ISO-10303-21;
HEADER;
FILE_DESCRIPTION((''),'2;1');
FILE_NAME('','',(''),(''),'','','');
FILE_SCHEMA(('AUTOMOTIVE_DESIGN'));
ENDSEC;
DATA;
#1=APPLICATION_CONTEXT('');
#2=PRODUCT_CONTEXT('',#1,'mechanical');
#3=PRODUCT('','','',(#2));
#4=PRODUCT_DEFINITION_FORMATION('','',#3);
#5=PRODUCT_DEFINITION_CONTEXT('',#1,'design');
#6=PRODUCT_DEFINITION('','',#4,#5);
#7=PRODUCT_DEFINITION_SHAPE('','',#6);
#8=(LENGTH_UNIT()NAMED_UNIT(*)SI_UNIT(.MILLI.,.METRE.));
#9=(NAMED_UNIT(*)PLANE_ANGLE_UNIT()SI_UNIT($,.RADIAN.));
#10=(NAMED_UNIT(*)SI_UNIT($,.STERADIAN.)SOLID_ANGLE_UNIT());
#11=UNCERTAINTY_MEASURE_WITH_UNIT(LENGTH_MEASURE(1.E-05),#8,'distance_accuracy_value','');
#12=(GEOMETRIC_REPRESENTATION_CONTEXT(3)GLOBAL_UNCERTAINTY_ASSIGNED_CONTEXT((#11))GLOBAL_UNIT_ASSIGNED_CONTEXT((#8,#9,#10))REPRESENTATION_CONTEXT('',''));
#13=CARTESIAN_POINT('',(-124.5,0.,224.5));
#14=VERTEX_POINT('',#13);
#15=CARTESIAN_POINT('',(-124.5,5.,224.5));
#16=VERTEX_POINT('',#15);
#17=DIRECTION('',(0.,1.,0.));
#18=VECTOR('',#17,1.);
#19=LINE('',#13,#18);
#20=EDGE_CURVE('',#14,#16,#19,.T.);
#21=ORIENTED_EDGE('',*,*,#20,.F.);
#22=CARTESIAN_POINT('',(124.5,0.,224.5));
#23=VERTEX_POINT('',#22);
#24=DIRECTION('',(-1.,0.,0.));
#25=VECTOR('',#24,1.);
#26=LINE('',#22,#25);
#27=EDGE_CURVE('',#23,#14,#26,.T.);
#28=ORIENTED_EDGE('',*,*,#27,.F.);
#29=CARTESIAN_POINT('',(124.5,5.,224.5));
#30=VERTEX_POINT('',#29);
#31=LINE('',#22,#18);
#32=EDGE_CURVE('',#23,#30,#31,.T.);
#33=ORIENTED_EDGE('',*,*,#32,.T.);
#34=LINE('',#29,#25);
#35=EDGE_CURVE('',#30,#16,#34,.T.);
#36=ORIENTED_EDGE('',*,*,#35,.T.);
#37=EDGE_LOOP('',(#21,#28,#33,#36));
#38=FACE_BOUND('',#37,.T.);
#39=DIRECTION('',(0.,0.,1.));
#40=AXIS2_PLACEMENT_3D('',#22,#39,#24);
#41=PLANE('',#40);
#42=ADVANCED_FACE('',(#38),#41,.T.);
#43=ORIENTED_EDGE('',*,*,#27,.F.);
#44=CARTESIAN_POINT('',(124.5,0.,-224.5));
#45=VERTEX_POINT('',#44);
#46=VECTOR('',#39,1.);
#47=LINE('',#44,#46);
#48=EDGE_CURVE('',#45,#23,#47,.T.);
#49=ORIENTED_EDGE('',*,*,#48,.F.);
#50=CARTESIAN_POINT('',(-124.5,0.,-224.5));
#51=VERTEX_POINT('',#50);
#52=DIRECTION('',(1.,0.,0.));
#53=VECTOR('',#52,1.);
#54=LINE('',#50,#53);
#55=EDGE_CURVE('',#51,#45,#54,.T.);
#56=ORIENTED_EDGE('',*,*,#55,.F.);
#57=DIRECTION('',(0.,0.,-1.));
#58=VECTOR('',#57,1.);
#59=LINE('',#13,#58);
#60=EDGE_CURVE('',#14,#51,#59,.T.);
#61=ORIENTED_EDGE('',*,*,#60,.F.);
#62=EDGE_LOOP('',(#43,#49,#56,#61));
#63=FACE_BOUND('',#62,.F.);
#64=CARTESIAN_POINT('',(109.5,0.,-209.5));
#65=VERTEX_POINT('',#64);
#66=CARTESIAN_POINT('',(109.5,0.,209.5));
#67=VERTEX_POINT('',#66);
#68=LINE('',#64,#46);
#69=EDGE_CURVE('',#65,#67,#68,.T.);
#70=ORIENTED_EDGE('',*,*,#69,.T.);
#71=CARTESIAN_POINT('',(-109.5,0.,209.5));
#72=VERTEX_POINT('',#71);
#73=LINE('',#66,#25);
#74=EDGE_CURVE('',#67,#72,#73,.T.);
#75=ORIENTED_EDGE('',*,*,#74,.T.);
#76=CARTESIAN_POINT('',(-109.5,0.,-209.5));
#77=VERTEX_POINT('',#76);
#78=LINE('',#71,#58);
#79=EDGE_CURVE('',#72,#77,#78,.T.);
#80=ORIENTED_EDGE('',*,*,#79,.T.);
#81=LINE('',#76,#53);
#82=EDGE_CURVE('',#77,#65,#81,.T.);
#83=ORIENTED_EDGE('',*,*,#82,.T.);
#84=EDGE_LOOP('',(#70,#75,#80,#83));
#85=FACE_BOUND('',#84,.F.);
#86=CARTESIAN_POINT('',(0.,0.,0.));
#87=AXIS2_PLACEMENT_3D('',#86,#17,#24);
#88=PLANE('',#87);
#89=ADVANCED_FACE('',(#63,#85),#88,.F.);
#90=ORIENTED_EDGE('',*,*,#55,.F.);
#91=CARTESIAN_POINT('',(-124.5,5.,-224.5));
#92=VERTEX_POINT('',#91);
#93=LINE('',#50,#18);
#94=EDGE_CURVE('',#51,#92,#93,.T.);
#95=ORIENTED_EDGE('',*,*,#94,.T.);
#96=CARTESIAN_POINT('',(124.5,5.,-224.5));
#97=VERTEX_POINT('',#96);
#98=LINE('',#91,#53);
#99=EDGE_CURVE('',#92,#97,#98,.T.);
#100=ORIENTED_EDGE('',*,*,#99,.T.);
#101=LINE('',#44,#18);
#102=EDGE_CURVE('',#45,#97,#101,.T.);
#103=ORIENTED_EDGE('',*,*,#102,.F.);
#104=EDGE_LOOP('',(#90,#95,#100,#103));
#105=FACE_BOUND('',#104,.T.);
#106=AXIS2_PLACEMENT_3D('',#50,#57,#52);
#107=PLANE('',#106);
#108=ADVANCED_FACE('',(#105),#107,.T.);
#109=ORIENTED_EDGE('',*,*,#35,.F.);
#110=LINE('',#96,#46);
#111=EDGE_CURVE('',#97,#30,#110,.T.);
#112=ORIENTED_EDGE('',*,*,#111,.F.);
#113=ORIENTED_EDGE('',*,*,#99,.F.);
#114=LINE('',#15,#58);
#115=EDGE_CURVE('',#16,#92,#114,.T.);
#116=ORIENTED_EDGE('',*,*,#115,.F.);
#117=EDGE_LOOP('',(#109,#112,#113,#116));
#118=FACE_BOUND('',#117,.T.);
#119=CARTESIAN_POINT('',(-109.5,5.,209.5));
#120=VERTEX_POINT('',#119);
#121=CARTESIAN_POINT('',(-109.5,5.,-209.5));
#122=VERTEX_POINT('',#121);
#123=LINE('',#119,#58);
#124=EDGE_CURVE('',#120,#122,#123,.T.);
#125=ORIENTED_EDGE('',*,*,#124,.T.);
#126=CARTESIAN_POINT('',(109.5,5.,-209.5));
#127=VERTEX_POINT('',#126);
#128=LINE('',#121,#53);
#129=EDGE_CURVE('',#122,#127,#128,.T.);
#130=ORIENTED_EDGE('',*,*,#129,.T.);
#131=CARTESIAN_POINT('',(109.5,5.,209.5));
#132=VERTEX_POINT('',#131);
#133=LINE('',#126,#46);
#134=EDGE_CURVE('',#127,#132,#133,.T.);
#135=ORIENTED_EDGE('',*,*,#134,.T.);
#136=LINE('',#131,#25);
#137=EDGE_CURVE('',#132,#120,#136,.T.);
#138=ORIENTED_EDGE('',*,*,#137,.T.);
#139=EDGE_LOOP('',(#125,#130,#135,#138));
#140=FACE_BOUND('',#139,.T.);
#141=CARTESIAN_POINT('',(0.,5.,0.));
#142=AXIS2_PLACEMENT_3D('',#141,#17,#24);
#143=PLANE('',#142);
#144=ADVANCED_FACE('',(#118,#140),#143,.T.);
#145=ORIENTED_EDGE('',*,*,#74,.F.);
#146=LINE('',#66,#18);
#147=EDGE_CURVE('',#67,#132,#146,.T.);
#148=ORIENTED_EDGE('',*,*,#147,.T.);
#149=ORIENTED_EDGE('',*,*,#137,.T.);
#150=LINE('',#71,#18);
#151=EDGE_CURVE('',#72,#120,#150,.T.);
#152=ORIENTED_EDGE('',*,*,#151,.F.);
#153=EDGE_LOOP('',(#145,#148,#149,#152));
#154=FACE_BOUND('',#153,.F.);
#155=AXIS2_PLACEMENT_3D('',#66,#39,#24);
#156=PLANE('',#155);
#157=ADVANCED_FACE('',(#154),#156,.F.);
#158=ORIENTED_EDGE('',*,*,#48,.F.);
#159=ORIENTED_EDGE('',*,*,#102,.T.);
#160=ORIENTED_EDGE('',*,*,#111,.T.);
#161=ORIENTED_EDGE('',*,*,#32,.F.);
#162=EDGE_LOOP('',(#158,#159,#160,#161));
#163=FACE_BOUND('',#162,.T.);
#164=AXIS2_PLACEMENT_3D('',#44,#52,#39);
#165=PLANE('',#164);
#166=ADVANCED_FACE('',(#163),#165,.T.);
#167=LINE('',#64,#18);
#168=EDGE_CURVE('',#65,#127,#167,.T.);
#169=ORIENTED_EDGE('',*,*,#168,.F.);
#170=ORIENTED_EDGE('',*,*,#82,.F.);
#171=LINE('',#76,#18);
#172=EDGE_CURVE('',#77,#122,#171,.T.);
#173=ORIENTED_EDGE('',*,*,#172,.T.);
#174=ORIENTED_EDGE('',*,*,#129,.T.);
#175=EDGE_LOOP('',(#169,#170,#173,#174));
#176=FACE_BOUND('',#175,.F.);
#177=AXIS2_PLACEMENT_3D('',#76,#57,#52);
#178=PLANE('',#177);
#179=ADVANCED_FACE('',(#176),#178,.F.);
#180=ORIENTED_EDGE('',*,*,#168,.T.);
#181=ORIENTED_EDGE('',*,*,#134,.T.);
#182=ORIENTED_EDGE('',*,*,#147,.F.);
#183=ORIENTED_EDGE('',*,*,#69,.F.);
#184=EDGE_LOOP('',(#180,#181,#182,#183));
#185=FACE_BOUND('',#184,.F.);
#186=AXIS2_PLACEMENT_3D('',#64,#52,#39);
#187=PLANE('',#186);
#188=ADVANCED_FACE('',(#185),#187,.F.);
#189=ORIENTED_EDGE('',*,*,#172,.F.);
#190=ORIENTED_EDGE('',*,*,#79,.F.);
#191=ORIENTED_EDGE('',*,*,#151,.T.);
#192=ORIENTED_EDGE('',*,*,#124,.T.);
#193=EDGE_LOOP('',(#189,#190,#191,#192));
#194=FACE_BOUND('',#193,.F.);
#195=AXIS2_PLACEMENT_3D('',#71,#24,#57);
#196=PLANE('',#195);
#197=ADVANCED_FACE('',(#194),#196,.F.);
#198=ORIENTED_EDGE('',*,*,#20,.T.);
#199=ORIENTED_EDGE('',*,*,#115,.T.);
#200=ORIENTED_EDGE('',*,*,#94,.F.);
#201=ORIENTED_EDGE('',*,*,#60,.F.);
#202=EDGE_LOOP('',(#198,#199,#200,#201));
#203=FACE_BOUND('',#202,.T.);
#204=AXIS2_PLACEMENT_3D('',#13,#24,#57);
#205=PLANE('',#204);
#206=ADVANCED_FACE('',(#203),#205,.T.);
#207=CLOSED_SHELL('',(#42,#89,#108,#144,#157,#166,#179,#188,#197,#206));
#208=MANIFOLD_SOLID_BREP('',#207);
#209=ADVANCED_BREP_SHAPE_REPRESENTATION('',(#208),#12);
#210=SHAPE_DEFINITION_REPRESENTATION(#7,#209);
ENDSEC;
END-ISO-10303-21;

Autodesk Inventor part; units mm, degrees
ref_plane "YZ Plane" through (0, 0, 0) normal (1, 0, 0) x (0, 1, 0)
ref_plane "XZ Plane" through (0, 0, 0) normal (0, 1, 0) x (-1, 0, 0)
ref_plane "XY Plane" through (0, 0, 0) normal (0, 0, 1) x (1, 0, 0)
sketch "Sketch1" plane through (0, 0, 0) normal (0, 1, 0) x (-1, 0, 0)
  line L0 (130, 230) -> (-130, 230)
  line L1 (-130, 230) -> (-130, -230)
  line L2 (-130, -230) -> (130, -230)
  line L3 (130, -230) -> (130, 230)
  line L4 (130, 230) -> (-130, -230) construction
  line L5 (-130, 230) -> (130, -230) construction
  line L6 (124.5, -224.5) -> (-124.5, -224.5)
  line L7 (-124.5, -224.5) -> (-124.5, 224.5)
  line L8 (-124.5, 224.5) -> (124.5, 224.5)
  line L9 (124.5, 224.5) -> (124.5, -224.5)
  line L10 (124.5, -224.5) -> (-124.5, 224.5) construction
  line L11 (-124.5, -224.5) -> (124.5, 224.5) construction
  line L12 (-109.5, 209.5) -> (109.5, 209.5)
  line L13 (109.5, 209.5) -> (109.5, -209.5)
  line L14 (109.5, -209.5) -> (-109.5, -209.5)
  line L15 (-109.5, -209.5) -> (-109.5, 209.5)
  line L16 (-109.5, 209.5) -> (109.5, -209.5) construction
  line L17 (109.5, 209.5) -> (-109.5, -209.5) construction
  point P0 (0, 0)
  dimension "d0" = 260
  dimension "d1" = 460
  dimension "d8" = 249
  dimension "d9" = 449
  dimension "d10" = 219
  dimension "d11" = 419
extrude "Extrusion3" add sketch "Sketch1" along normal blind 5 contours L6 L7 L8 L9
equation "\"d0\" = boxl + 2 * pvct"
equation "\"d1\" = boxw + 2 * pvct"
equation "\"d8\" = boxl - 2 * play"
equation "\"d9\" = boxw - 2 * play"
equation "\"d10\" = boxl - 2 * play - 2 * supporth"
equation "\"d11\" = boxw - 2 * play - 2 * supporth"
equation "\"d12\" = pvct"
equation "\"solhole\" = 3"
equation "\"solholespacing\" = 16"
equation "\"ssolw\" = 63"
equation "\"bsoll\" = 126"
equation "\"bsolw\" = 91"
equation "\"bsolh\" = 126"
equation "\"tapl\" = 31"
equation "\"tl\" = 32"
equation "\"eloboww\" = 25"
equation "\"pvct\" = 5"
equation "\"boxh\" = 258"
equation "\"supporth\" = 15"
equation "\"play\" = 0.5"
equation "\"arw\" = 54"
equation "\"arl\" = 102"
equation "\"psuh\" = 85"
equation "\"screenw\" = 197"
equation "\"screenl\" = 115"
equation "\"pcbw\" = 76"
equation "\"pcbl\" = 86"
equation "\"pcbh\" = 46"
equation "\"seph\" = 105"
equation "\"diaetape\" = 25"
equation "\"diaload\" = 16"
equation "\"diapower\" = 16"
equation "\"diaph\" = 32"
equation "\"distbubblewater\" = 82"
equation "\"distpumps\" = 75"
equation "\"waterouter\" = 39"
equation "\"waterinner\" = 28"
equation "\"pumpinner\" = 16"
equation "\"pumpouter\" = 25"
equation "\"airoutinner\" = 28"
equation "\"airoutouter\" = 39"
equation "\"airinouter\" = 39"
equation "\"airininner\" = 28"
equation "\"diapowerouter\" = 25"
equation "\"dialoadouter\" = 25"
equation "\"diaetapeouter\" = 36"
equation "\"diaphouter\" = 48"
equation "\"boxl\" = 250"
equation "\"boxw\" = 450"
properties part number "sb_bottom" material "PVC-Piping"
